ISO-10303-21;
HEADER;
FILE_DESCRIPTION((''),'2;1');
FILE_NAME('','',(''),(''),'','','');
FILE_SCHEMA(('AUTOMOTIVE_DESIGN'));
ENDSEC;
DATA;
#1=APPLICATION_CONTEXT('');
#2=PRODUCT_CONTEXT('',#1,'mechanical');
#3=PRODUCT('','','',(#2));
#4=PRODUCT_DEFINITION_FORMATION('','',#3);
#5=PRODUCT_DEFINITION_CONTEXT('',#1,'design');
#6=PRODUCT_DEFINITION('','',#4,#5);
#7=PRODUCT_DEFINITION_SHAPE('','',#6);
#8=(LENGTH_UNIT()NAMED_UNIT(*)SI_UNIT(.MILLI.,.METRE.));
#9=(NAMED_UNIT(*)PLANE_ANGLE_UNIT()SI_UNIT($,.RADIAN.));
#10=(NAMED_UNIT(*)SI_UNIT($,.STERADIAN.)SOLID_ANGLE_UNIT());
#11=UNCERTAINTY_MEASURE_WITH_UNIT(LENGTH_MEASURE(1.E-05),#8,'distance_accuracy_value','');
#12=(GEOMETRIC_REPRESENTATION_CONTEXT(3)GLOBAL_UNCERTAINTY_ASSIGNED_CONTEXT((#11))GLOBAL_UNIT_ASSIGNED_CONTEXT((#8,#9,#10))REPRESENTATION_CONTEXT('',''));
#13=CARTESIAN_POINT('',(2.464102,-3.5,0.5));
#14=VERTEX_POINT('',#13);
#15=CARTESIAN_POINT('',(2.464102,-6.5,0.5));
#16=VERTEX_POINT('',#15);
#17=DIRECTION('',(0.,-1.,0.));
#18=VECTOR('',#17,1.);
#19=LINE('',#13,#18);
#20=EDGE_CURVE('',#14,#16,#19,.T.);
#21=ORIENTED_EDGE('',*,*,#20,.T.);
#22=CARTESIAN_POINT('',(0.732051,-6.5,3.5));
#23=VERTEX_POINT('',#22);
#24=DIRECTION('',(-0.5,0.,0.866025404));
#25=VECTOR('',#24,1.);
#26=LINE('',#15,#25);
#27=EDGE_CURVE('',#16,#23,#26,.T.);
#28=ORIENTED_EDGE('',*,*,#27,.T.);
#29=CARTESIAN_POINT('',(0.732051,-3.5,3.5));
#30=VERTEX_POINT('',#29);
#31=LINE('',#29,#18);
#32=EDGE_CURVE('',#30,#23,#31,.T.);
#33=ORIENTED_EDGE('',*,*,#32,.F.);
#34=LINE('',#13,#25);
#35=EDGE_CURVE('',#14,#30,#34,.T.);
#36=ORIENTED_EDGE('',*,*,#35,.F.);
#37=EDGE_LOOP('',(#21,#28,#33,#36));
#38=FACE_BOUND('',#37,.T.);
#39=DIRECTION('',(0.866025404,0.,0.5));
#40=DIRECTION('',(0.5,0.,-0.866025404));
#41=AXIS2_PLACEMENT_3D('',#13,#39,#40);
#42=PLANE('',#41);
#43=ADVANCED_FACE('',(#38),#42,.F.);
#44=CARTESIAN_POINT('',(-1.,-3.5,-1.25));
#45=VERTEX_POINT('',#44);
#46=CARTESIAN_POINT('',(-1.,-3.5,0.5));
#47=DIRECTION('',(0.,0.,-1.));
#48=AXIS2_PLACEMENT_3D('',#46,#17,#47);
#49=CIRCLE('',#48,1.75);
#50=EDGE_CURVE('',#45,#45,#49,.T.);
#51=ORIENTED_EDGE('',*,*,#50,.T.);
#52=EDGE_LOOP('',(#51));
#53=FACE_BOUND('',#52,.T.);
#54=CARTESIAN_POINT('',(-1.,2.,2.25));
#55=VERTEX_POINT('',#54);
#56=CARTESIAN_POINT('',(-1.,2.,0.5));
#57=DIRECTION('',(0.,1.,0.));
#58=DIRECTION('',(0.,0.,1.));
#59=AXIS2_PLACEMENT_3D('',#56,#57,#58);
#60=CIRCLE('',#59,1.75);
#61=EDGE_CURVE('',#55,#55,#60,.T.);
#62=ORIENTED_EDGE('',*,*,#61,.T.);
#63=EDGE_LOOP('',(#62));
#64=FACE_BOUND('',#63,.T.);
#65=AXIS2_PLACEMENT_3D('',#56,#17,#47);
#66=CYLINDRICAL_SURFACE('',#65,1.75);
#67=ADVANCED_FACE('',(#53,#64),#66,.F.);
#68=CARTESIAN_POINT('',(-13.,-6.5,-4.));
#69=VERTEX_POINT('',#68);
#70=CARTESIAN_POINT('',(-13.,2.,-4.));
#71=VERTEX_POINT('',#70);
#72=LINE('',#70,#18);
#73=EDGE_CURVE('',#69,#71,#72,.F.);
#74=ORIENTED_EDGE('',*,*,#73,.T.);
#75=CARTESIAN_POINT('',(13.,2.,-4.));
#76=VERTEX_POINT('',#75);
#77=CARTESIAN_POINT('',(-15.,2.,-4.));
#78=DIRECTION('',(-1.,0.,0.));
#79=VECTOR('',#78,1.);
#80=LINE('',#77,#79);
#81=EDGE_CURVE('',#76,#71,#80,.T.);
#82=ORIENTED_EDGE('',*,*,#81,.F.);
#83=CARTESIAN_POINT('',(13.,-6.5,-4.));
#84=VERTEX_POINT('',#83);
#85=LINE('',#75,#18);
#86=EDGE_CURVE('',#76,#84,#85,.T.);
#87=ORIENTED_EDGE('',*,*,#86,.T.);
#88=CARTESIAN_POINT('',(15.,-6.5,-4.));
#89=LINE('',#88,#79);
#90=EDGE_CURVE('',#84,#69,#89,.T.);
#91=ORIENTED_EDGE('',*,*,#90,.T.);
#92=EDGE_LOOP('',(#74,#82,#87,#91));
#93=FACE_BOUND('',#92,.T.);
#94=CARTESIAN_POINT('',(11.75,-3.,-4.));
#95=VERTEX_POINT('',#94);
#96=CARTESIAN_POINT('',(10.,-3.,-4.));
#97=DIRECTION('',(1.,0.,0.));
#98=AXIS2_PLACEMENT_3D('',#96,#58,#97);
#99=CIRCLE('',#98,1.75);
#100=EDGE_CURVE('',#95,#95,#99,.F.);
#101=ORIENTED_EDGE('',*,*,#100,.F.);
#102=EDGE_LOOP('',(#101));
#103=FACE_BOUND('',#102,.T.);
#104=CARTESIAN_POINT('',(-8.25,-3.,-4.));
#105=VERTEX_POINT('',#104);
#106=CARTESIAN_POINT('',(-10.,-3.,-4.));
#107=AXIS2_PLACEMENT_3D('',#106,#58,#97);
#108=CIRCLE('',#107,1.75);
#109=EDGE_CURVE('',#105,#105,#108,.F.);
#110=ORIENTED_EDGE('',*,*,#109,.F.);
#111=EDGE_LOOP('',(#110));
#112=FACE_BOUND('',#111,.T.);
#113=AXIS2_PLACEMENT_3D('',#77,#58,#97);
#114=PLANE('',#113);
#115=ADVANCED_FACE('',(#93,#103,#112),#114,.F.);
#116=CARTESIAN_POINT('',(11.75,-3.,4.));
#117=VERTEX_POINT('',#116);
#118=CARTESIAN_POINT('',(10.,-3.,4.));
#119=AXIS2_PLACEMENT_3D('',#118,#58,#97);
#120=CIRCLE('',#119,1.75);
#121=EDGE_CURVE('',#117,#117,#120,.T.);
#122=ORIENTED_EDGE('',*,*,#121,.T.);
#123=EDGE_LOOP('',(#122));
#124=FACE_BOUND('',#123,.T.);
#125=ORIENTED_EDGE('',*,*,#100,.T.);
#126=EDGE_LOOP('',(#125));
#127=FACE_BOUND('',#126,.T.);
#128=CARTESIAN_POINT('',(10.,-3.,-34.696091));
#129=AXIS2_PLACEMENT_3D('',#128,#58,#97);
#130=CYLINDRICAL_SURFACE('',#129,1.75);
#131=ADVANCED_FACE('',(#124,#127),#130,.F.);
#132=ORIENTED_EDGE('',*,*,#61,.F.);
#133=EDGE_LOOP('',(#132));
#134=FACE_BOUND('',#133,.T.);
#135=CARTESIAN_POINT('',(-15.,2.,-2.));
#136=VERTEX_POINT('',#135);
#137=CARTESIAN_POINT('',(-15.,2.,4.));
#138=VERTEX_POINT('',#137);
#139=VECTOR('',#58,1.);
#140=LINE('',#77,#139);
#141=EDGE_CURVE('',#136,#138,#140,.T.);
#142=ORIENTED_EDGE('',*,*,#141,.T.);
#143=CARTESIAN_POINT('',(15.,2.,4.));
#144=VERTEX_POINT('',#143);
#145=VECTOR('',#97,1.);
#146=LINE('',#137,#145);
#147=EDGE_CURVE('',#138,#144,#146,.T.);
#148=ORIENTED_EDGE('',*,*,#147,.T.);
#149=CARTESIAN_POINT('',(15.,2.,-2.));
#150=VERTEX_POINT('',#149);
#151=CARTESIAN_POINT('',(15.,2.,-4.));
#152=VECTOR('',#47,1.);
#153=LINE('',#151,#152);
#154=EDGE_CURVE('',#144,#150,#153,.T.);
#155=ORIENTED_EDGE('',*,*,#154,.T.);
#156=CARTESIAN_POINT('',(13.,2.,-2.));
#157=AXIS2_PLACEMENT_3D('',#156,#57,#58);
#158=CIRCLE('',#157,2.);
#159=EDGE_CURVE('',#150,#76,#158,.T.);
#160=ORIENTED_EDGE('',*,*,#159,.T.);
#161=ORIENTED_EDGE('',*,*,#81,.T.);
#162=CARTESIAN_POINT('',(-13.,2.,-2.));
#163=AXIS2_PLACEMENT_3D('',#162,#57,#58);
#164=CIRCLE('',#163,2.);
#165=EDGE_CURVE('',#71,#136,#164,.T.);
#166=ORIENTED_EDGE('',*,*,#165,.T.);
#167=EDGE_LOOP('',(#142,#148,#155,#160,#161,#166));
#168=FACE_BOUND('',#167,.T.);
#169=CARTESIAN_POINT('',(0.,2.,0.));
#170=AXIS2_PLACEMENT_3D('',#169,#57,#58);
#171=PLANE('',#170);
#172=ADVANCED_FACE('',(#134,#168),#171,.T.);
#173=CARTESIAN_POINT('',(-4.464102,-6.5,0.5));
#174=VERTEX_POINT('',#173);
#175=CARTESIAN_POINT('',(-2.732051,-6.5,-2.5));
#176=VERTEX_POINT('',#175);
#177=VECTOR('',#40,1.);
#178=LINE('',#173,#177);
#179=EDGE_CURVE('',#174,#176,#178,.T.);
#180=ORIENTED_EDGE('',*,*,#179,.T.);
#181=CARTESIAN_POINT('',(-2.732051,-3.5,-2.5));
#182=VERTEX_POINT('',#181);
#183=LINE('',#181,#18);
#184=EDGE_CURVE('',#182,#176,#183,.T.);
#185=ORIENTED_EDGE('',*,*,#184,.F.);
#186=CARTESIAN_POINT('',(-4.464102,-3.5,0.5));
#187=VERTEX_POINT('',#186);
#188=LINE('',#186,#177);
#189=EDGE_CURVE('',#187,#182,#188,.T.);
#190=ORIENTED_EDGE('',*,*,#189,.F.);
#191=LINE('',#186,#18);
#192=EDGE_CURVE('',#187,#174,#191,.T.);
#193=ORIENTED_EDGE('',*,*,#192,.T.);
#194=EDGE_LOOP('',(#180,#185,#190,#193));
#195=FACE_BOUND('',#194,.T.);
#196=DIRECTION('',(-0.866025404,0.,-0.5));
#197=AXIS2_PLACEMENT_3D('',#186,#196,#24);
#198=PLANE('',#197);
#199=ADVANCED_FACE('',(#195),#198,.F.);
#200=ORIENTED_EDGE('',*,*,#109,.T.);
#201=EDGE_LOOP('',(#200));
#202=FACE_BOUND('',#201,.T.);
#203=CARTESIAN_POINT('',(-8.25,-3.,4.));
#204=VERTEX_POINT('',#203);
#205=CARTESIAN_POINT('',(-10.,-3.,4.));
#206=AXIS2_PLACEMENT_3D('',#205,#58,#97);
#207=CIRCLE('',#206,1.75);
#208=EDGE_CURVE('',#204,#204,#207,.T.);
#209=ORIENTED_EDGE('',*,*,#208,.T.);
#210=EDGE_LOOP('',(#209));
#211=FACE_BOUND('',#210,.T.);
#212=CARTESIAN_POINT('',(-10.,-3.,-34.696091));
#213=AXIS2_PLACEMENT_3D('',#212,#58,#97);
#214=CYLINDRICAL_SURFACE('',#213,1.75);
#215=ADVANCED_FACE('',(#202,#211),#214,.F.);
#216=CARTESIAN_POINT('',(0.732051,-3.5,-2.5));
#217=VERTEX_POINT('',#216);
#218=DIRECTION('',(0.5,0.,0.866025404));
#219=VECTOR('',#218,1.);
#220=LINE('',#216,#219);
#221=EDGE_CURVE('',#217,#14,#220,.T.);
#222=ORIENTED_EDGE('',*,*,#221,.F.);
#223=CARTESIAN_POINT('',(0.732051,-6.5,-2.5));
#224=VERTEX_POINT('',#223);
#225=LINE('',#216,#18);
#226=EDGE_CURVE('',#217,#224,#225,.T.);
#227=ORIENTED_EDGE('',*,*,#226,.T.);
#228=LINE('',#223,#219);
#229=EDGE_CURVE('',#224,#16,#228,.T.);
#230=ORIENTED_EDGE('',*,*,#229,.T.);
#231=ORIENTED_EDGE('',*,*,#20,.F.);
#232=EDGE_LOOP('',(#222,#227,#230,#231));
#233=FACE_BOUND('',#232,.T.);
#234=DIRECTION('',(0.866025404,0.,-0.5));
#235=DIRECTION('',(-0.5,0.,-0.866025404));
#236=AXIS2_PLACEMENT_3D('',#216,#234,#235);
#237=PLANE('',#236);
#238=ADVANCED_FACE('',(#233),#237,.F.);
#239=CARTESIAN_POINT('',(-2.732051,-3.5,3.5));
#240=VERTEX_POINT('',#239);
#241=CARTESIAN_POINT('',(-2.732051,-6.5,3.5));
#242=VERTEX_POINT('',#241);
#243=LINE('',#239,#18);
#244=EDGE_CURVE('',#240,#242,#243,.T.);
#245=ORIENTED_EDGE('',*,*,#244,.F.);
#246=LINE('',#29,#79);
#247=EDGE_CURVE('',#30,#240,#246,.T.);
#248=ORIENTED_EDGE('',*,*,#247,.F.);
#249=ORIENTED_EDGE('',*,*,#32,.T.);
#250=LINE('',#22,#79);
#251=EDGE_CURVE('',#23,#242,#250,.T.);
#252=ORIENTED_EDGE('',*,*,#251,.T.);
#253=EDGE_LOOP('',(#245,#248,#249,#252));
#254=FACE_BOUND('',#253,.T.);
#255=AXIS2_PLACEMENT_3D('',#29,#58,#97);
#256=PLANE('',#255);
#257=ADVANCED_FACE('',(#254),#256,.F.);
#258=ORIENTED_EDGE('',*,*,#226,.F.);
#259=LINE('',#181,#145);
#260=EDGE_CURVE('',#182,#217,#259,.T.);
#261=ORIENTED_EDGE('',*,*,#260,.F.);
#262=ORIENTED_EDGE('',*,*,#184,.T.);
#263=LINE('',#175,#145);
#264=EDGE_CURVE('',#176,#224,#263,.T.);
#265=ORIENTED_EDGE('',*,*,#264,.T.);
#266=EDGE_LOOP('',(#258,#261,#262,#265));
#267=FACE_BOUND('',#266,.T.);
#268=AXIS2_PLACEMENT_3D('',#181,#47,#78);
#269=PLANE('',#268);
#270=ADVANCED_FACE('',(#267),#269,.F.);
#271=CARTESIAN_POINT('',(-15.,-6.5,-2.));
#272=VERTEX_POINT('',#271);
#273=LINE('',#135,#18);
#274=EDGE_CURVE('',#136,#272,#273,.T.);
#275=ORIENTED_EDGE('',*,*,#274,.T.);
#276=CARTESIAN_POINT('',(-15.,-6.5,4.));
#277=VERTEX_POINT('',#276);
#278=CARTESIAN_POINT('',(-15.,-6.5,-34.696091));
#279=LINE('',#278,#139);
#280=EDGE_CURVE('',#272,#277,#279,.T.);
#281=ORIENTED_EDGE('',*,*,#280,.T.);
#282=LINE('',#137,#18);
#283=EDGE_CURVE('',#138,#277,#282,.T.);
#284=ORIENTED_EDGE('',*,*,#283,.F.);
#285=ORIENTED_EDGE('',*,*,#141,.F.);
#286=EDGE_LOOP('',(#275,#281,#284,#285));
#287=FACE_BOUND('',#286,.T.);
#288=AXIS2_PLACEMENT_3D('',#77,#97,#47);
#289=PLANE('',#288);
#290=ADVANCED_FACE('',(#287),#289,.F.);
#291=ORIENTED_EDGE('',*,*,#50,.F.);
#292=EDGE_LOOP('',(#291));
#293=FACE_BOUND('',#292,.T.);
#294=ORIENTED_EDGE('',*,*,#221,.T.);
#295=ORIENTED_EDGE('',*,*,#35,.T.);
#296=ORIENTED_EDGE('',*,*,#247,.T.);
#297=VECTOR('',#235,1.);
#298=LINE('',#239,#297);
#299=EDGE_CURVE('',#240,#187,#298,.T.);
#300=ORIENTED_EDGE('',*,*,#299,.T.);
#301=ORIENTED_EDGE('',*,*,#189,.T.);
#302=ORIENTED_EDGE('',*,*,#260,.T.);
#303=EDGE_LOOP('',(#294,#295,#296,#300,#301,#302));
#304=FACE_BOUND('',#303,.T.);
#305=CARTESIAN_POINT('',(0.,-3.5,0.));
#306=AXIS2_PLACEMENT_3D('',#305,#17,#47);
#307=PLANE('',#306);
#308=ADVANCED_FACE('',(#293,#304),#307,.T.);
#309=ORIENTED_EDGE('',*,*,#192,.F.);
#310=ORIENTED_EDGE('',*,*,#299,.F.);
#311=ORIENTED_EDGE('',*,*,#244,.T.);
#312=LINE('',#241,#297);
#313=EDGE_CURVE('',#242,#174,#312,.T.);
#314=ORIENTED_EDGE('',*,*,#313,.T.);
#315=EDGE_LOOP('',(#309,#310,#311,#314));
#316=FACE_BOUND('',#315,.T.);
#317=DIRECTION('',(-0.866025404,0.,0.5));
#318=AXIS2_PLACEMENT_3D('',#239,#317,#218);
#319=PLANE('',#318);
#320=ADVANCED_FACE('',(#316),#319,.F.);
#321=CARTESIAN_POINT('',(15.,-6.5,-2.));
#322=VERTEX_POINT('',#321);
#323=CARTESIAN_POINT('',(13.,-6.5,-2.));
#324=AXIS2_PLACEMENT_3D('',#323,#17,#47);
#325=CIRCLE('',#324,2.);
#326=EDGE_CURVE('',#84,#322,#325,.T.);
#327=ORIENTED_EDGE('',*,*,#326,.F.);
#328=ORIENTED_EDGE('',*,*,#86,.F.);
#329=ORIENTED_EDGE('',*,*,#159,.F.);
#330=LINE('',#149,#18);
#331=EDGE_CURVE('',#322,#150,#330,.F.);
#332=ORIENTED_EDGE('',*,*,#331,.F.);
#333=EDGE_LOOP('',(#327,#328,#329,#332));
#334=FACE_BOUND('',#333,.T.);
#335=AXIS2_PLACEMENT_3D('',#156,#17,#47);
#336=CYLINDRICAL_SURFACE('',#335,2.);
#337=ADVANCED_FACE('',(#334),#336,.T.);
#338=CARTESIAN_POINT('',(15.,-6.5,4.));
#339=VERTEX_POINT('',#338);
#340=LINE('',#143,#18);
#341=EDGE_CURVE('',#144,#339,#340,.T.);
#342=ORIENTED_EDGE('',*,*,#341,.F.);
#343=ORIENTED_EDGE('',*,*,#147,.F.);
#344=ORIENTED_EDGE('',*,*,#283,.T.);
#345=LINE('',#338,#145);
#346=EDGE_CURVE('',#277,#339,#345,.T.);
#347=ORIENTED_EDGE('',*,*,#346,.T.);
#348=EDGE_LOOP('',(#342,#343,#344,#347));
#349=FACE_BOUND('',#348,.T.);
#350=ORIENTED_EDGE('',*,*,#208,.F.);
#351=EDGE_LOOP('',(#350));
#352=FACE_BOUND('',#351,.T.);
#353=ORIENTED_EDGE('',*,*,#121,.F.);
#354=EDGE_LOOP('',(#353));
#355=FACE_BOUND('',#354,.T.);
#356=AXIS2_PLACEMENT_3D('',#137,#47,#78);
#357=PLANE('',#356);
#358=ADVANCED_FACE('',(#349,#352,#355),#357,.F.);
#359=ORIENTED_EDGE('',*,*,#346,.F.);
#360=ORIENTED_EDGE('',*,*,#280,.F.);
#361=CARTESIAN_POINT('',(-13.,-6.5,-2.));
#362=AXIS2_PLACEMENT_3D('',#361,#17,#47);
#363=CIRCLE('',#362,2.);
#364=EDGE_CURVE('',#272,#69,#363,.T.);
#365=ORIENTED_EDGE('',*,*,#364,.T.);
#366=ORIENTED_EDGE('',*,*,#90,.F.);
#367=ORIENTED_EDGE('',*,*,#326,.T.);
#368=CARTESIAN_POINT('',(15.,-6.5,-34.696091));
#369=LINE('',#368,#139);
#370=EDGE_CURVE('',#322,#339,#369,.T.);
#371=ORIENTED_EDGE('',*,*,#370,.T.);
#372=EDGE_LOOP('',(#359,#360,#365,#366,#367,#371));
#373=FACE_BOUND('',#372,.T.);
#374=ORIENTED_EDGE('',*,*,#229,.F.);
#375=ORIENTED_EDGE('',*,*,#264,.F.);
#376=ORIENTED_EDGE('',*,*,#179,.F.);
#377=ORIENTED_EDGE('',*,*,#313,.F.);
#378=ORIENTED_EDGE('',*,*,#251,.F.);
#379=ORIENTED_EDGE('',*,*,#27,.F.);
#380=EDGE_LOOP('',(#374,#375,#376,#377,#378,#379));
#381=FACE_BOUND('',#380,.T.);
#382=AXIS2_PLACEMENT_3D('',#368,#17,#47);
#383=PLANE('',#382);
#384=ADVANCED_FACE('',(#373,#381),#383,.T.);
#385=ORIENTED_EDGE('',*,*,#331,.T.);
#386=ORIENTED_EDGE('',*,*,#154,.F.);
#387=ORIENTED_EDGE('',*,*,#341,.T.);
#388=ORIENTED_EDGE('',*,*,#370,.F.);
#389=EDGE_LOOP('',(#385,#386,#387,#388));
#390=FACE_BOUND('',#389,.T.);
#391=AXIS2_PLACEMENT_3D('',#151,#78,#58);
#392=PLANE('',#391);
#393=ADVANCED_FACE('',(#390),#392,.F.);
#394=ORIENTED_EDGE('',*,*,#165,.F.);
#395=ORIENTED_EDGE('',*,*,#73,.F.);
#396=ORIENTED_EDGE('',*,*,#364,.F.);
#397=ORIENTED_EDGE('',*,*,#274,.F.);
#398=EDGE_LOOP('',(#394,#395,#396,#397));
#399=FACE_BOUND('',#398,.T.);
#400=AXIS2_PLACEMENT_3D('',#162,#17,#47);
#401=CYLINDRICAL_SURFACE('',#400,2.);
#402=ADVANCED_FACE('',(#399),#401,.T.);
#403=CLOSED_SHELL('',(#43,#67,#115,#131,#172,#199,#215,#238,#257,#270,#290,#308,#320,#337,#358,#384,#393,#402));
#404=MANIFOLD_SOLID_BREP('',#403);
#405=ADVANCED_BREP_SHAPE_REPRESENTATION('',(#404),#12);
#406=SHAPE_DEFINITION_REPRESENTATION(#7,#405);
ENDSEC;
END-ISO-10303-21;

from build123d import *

# Parameters (mm, degrees)
SKETCH1_W           = 30
SKETCH1_H           = 8
SKETCH1_R           = 1.75
BOSS_EXTRUDE1_DEPTH = 2
SKETCH2_R           = 1.75
BOSS_EXTRUDE2_DEPTH = 8
FILLET1_R           = 2
SKETCH3_R           = 1.75
CUT_EXTRUDE1_DEPTH  = 7.5
CUT_EXTRUDE2_DEPTH  = 3


with BuildPart() as part:
    # Sketch1 → Boss-Extrude1 (new body)
    with BuildSketch(Plane(origin=(0, 0, 0), x_dir=(1, 0, 0), z_dir=(0, 1, 0))):
        Rectangle(SKETCH1_W, SKETCH1_H)
        with Locations((-1, -0.5)):
            Circle(SKETCH1_R, mode=Mode.SUBTRACT)
    extrude(amount=BOSS_EXTRUDE1_DEPTH)

    # Sketch2 → Boss-Extrude2 (add)
    with BuildSketch(Plane.XY.offset(4)):
        Polygon((-15, 0), (-5, 0), (5, 0), (15, 0), (15, -6.5), (-15, -6.5), align=None)
        with Locations((-10, -3)):
            Circle(SKETCH2_R, mode=Mode.SUBTRACT)
        with Locations((10, -3)):
            Circle(SKETCH2_R, mode=Mode.SUBTRACT)
    extrude(amount=-BOSS_EXTRUDE2_DEPTH)

    # Fillet1
    fillet1_edges = [part.edges().sort_by_distance(p)[0] for p in [
        (-15, -2.25, -4),
        (15, -2.25, -4),
    ]]
    fillet(fillet1_edges, radius=FILLET1_R)

    # Sketch3 → Cut-Extrude1 (cut, through all)
    with BuildSketch(Plane(origin=(0, 0, 0), x_dir=(1, 0, 0), z_dir=(0, 1, 0))):
        with Locations((-1, -0.5)):
            Circle(SKETCH3_R)
    extrude(amount=-CUT_EXTRUDE1_DEPTH, mode=Mode.SUBTRACT)

    # Sketch4 → Cut-Extrude2 (cut)
    with BuildSketch(Plane.XZ.offset(6.5)):
        Polygon((2.464101615, 0.5), (0.732050808, 3.5), (-2.732050808, 3.5), (-4.464101615, 0.5), (-2.732050808, -2.5), (0.732050808, -2.5), align=None)
    extrude(amount=-CUT_EXTRUDE2_DEPTH, mode=Mode.SUBTRACT)


solid = part.part
